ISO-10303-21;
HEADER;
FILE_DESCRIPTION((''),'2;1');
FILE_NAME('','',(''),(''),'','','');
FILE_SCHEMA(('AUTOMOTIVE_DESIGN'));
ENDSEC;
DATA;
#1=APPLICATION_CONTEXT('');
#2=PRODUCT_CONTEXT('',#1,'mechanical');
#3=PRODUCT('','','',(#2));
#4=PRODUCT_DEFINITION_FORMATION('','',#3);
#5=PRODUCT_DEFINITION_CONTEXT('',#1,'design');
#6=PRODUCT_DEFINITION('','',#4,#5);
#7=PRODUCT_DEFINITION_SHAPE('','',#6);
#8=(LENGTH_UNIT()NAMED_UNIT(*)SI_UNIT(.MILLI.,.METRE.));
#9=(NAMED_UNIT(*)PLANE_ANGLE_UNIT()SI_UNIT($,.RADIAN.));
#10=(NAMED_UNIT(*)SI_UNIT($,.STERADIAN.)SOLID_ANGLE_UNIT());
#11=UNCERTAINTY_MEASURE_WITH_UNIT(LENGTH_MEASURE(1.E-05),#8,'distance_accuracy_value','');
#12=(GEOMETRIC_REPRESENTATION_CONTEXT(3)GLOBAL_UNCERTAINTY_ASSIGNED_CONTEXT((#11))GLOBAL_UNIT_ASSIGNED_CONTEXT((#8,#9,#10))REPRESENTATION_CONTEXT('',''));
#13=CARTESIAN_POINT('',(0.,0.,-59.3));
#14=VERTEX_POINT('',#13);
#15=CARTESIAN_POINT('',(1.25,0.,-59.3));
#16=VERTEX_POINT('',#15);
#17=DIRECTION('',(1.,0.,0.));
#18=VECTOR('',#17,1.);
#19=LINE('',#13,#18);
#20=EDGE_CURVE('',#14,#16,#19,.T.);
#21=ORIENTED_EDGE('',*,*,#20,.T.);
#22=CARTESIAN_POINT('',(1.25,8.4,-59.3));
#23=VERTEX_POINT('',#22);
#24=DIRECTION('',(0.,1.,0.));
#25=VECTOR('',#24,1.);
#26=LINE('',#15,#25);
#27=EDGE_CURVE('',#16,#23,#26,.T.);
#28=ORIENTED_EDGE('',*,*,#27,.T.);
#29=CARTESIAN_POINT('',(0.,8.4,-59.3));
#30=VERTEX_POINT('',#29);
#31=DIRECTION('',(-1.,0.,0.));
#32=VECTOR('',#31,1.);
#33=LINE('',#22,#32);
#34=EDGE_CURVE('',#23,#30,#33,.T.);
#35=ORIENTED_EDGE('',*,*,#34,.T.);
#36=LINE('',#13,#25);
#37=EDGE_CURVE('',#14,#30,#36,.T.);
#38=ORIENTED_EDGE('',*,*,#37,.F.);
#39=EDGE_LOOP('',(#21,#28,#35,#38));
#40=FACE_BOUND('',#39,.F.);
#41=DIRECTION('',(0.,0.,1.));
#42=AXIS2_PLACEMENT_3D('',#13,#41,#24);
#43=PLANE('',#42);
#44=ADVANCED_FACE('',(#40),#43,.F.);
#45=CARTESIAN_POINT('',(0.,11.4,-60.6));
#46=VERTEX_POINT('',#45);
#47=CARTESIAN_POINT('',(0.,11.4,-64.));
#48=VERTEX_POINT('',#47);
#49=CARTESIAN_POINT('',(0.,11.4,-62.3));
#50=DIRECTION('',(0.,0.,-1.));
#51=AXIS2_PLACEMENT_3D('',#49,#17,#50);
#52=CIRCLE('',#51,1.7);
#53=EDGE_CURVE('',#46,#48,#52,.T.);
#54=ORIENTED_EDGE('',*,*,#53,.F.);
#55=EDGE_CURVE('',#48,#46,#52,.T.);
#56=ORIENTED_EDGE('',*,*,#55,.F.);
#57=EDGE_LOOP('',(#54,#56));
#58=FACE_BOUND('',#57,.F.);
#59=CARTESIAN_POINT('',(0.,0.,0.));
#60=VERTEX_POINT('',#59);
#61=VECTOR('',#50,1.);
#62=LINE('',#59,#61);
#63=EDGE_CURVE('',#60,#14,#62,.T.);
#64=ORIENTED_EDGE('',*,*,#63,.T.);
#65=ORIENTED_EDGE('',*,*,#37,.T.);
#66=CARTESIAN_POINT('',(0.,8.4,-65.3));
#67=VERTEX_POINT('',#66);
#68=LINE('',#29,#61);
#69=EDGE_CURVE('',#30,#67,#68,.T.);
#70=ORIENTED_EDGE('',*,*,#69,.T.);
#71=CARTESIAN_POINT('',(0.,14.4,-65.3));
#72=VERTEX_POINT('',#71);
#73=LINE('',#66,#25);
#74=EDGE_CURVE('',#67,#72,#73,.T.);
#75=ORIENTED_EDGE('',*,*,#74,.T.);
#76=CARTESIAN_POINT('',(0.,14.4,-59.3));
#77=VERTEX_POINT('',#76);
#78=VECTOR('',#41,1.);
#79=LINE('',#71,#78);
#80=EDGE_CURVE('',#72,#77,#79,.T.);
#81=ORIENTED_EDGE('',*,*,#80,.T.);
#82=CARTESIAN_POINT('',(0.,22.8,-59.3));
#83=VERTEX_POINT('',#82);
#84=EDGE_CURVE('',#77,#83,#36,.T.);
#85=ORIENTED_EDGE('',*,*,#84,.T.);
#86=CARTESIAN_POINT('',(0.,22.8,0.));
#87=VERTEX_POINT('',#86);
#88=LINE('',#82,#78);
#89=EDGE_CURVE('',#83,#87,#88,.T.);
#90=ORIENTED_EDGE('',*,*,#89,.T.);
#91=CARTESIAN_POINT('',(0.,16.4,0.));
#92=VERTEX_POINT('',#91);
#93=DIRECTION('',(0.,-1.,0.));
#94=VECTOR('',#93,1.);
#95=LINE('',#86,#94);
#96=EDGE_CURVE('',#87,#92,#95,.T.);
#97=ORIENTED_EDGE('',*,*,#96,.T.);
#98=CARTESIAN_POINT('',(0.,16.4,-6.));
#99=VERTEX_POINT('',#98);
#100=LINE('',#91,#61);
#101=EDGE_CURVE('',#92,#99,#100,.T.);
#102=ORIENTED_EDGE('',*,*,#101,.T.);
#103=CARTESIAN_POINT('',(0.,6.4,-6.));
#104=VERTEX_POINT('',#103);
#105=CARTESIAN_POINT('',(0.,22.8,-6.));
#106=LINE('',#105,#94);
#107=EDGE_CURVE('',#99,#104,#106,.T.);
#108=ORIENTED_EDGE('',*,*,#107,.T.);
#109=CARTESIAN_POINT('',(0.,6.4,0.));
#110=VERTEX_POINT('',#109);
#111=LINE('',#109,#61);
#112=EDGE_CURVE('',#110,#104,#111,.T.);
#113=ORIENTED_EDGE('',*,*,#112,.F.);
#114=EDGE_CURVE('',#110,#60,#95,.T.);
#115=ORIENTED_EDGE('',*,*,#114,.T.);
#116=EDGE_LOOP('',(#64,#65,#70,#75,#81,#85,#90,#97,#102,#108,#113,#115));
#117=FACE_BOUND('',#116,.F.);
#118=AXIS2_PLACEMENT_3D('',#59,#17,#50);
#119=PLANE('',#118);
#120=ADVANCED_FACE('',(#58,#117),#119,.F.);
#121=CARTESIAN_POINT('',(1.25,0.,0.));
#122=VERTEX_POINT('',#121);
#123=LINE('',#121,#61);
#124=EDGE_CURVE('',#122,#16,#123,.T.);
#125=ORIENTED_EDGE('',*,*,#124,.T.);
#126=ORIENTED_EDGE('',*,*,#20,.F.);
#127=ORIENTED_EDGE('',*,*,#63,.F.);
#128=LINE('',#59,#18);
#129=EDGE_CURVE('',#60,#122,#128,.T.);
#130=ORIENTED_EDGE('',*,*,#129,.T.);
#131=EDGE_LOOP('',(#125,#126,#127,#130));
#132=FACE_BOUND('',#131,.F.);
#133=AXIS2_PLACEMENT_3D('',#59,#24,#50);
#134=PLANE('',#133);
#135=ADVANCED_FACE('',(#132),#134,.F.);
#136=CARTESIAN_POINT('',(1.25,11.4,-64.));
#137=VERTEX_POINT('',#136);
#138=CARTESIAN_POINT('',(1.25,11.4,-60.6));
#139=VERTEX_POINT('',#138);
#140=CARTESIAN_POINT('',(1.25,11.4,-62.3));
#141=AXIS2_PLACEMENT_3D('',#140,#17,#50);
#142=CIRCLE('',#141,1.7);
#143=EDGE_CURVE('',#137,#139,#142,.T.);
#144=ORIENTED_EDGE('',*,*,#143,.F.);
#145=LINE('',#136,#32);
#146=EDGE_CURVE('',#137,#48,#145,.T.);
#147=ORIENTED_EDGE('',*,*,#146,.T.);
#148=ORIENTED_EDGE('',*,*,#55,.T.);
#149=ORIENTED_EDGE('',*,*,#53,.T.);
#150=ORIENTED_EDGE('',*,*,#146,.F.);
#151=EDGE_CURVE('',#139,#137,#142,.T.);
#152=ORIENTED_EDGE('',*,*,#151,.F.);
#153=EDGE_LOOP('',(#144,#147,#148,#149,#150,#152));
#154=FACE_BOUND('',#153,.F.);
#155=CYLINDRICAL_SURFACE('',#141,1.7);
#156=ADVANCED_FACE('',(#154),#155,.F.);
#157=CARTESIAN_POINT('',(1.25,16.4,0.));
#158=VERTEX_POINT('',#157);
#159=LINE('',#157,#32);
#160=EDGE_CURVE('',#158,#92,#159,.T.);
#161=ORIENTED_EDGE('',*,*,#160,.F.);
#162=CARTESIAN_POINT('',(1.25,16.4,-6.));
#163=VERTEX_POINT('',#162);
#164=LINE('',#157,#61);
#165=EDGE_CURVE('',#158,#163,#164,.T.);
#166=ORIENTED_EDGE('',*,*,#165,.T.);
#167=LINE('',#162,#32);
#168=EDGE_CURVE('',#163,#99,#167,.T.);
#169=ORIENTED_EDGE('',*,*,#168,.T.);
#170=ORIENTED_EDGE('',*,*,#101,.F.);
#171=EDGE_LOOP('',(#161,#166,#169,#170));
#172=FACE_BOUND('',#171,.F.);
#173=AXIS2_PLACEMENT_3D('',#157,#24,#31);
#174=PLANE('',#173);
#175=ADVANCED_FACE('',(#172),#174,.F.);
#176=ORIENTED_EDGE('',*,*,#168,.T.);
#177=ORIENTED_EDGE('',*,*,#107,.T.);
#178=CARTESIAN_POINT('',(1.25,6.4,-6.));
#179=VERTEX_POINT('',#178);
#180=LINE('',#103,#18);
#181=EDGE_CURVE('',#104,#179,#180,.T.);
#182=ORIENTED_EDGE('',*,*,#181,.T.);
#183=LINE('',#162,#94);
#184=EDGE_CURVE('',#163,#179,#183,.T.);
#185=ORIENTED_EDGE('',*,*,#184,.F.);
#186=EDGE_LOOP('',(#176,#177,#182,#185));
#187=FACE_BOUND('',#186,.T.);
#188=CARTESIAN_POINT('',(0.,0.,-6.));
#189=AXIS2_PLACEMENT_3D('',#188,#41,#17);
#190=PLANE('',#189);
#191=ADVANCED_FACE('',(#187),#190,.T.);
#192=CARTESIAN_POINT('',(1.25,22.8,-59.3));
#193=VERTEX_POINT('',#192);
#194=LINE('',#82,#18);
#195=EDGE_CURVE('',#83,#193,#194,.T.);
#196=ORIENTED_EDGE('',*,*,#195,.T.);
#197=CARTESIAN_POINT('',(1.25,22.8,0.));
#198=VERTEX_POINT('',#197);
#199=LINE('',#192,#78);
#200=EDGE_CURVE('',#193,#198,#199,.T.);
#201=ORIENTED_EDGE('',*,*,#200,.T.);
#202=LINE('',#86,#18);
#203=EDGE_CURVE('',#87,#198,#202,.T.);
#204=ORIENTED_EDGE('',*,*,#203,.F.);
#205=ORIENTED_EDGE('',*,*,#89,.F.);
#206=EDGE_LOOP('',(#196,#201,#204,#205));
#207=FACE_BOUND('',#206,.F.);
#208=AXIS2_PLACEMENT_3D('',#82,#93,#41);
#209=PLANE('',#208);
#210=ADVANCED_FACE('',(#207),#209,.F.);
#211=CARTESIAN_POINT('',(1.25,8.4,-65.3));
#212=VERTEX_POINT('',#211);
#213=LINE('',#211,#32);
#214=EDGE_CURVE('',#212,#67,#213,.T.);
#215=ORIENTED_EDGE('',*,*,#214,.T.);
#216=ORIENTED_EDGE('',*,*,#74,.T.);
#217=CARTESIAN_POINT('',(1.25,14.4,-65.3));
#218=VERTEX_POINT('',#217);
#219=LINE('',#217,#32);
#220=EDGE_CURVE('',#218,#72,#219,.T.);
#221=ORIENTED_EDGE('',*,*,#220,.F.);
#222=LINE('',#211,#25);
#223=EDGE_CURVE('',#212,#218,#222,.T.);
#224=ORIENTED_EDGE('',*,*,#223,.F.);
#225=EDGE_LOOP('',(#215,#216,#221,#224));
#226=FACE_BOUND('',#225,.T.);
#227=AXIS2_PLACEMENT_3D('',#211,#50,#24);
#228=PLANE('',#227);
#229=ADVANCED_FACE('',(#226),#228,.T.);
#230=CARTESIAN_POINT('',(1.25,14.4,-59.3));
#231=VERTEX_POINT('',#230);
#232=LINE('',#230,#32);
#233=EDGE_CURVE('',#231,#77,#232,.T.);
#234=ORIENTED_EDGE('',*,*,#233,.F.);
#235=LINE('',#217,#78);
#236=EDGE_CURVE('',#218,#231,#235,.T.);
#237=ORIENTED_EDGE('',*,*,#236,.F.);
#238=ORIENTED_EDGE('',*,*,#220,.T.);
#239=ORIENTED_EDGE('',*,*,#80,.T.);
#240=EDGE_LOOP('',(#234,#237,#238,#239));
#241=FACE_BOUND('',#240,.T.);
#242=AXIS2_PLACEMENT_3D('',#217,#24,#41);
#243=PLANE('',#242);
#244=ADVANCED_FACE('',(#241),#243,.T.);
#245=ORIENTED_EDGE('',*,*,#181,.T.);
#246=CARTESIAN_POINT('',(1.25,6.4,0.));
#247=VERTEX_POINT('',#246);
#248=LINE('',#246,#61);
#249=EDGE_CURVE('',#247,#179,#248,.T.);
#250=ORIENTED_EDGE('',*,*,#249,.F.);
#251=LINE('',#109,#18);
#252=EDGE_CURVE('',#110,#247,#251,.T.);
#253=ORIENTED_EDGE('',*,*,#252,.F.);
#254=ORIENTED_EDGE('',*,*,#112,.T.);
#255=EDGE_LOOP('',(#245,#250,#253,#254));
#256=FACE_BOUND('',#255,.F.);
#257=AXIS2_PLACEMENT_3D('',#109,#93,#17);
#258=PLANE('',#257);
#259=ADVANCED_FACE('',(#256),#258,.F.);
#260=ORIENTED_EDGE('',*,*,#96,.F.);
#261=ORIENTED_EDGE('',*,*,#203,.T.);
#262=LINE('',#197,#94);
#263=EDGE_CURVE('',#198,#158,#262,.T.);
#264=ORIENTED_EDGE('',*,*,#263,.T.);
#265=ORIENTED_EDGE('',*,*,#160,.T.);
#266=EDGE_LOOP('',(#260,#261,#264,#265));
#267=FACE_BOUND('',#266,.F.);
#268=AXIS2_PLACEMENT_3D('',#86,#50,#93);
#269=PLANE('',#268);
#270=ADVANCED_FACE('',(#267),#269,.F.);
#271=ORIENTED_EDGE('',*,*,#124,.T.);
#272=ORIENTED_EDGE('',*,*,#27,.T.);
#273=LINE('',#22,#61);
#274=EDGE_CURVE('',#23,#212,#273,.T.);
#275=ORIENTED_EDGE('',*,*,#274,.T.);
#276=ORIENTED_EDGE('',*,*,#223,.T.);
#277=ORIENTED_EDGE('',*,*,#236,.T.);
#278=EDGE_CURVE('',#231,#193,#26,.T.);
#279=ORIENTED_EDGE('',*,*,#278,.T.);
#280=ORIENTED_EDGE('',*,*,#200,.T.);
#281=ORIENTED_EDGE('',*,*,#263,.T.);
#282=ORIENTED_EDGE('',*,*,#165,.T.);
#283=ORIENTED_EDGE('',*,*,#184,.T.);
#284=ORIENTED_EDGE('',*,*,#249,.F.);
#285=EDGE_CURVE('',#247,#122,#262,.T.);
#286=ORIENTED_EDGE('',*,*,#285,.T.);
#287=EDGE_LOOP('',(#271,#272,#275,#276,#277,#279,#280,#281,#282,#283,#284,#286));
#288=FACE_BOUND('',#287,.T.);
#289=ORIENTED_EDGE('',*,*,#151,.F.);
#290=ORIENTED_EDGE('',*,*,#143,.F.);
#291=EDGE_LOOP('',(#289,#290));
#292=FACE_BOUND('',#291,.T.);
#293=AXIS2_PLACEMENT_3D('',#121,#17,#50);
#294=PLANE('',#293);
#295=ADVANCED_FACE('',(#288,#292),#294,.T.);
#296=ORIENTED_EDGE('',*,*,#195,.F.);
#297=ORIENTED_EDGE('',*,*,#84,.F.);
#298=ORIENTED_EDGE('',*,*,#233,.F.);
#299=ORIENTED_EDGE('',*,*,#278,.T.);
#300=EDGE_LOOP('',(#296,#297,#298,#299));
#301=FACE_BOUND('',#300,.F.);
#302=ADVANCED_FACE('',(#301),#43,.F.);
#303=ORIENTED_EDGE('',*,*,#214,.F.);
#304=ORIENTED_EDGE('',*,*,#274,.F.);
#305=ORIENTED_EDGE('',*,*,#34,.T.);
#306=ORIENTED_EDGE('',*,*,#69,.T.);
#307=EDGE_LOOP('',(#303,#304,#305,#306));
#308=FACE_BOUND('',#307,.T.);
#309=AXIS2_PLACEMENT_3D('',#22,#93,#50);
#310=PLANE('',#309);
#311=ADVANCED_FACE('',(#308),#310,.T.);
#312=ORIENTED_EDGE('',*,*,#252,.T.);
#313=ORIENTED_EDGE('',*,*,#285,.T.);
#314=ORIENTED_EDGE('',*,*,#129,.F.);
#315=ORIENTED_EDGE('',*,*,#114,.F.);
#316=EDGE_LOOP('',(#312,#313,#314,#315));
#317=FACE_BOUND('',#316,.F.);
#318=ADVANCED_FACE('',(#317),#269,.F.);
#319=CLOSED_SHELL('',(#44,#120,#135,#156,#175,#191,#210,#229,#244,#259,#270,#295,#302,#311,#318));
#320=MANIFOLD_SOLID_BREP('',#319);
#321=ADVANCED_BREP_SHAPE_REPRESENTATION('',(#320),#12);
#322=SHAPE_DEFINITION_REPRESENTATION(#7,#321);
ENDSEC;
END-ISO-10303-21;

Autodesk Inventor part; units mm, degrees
ref_plane "YZ Plane" through (0, 0, 0) normal (1, 0, 0) x (0, 1, 0)
ref_plane "XZ Plane" through (0, 0, 0) normal (0, 1, 0) x (-1, 0, 0)
ref_plane "XY Plane" through (0, 0, 0) normal (0, 0, 1) x (1, 0, 0)
sketch "Sketch1" plane through (0, 0, 0) normal (1, 0, 0) x (0, 1, 0)
  line L0 (0, 0) -> (0, -59.3)
  line L1 (0, -59.3) -> (22.8, -59.3)
  line L2 (22.8, -59.3) -> (22.8, 0)
  line L3 (22.8, 0) -> (0, 0)
  dimension "d0" = 59.3
  dimension "d1" = 22.8
extrude "Extrusion1" add sketch "Sketch1" along normal blind 1.25
sketch "Sketch2" plane through (0, 0, 0) normal (0, 0, 1) x (1, 0, 0)
  line L0 (0, 22.8) -> (0, 0) projected
  line L1 (0, 0) -> (1.25, 0) projected
  line L2 (1.25, 22.8) -> (1.25, 0) projected
  line L3 (0, 22.8) -> (1.25, 22.8) projected
  line L4 (1.25, 0) -> (1.25, 22.8) projected
  line L5 (1.25, 22.8) -> (1.25, 11.4)
  line L6 (1.25, 11.4) -> (1.25, 16.4)
  line L7 (1.25, 16.4) -> (0, 16.4)
  line L8 (0, 0) -> (0, 22.8) projected
  line L9 (0, 16.4) -> (0, 6.4)
  line L10 (0, 6.4) -> (1.25, 6.4)
  dimension "d4" = 11.4
  dimension "d5" = 5
  dimension "d6" = 10
extrude "Extrusion2" cut sketch "Sketch2" against normal blind 6 contours L7 L2 L10 L0
sketch "Sketch3" plane through (1.25, 0, 0) normal (1, 0, 0) x (0, 0, -1)
  line L0 (6, 6.4) -> (0, 6.4) projected
  line L1 (0, 6.4) -> (0, 0) projected
  line L2 (0, 0) -> (59.3, 0) projected
  line L3 (59.3, 0) -> (59.3, 22.8) projected
  line L4 (59.3, 22.8) -> (0, 22.8) projected
  line L5 (0, 22.8) -> (0, 16.4) projected
  line L6 (0, 16.4) -> (6, 16.4) projected
  line L7 (6, 16.4) -> (6, 6.4) projected
  line L8 (59.3, 0) -> (59.3, 22.8) projected
  line L9 (59.3, 0) -> (59.3, 11.4)
  line L10 (59.3, 11.4) -> (59.3, 8.4)
  line L11 (59.3, 8.4) -> (65.3, 8.4)
  line L12 (65.3, 8.4) -> (65.3, 14.4)
  line L13 (65.3, 14.4) -> (59.3, 14.4)
  line L14 (59.3, 11.4) -> (62.3, 11.4)
  circle A0 centre (62.3, 11.4) radius 1.7
  dimension "d9" = 11.4
  dimension "d10" = 3
  dimension "d11" = 6
  dimension "d12" = 6
  dimension "d13" = 3.4
extrude "Extrusion3" add sketch "Sketch3" against normal blind 1.25 contours L3 L13 L12 L11
properties part number "tapa_carcasa"
